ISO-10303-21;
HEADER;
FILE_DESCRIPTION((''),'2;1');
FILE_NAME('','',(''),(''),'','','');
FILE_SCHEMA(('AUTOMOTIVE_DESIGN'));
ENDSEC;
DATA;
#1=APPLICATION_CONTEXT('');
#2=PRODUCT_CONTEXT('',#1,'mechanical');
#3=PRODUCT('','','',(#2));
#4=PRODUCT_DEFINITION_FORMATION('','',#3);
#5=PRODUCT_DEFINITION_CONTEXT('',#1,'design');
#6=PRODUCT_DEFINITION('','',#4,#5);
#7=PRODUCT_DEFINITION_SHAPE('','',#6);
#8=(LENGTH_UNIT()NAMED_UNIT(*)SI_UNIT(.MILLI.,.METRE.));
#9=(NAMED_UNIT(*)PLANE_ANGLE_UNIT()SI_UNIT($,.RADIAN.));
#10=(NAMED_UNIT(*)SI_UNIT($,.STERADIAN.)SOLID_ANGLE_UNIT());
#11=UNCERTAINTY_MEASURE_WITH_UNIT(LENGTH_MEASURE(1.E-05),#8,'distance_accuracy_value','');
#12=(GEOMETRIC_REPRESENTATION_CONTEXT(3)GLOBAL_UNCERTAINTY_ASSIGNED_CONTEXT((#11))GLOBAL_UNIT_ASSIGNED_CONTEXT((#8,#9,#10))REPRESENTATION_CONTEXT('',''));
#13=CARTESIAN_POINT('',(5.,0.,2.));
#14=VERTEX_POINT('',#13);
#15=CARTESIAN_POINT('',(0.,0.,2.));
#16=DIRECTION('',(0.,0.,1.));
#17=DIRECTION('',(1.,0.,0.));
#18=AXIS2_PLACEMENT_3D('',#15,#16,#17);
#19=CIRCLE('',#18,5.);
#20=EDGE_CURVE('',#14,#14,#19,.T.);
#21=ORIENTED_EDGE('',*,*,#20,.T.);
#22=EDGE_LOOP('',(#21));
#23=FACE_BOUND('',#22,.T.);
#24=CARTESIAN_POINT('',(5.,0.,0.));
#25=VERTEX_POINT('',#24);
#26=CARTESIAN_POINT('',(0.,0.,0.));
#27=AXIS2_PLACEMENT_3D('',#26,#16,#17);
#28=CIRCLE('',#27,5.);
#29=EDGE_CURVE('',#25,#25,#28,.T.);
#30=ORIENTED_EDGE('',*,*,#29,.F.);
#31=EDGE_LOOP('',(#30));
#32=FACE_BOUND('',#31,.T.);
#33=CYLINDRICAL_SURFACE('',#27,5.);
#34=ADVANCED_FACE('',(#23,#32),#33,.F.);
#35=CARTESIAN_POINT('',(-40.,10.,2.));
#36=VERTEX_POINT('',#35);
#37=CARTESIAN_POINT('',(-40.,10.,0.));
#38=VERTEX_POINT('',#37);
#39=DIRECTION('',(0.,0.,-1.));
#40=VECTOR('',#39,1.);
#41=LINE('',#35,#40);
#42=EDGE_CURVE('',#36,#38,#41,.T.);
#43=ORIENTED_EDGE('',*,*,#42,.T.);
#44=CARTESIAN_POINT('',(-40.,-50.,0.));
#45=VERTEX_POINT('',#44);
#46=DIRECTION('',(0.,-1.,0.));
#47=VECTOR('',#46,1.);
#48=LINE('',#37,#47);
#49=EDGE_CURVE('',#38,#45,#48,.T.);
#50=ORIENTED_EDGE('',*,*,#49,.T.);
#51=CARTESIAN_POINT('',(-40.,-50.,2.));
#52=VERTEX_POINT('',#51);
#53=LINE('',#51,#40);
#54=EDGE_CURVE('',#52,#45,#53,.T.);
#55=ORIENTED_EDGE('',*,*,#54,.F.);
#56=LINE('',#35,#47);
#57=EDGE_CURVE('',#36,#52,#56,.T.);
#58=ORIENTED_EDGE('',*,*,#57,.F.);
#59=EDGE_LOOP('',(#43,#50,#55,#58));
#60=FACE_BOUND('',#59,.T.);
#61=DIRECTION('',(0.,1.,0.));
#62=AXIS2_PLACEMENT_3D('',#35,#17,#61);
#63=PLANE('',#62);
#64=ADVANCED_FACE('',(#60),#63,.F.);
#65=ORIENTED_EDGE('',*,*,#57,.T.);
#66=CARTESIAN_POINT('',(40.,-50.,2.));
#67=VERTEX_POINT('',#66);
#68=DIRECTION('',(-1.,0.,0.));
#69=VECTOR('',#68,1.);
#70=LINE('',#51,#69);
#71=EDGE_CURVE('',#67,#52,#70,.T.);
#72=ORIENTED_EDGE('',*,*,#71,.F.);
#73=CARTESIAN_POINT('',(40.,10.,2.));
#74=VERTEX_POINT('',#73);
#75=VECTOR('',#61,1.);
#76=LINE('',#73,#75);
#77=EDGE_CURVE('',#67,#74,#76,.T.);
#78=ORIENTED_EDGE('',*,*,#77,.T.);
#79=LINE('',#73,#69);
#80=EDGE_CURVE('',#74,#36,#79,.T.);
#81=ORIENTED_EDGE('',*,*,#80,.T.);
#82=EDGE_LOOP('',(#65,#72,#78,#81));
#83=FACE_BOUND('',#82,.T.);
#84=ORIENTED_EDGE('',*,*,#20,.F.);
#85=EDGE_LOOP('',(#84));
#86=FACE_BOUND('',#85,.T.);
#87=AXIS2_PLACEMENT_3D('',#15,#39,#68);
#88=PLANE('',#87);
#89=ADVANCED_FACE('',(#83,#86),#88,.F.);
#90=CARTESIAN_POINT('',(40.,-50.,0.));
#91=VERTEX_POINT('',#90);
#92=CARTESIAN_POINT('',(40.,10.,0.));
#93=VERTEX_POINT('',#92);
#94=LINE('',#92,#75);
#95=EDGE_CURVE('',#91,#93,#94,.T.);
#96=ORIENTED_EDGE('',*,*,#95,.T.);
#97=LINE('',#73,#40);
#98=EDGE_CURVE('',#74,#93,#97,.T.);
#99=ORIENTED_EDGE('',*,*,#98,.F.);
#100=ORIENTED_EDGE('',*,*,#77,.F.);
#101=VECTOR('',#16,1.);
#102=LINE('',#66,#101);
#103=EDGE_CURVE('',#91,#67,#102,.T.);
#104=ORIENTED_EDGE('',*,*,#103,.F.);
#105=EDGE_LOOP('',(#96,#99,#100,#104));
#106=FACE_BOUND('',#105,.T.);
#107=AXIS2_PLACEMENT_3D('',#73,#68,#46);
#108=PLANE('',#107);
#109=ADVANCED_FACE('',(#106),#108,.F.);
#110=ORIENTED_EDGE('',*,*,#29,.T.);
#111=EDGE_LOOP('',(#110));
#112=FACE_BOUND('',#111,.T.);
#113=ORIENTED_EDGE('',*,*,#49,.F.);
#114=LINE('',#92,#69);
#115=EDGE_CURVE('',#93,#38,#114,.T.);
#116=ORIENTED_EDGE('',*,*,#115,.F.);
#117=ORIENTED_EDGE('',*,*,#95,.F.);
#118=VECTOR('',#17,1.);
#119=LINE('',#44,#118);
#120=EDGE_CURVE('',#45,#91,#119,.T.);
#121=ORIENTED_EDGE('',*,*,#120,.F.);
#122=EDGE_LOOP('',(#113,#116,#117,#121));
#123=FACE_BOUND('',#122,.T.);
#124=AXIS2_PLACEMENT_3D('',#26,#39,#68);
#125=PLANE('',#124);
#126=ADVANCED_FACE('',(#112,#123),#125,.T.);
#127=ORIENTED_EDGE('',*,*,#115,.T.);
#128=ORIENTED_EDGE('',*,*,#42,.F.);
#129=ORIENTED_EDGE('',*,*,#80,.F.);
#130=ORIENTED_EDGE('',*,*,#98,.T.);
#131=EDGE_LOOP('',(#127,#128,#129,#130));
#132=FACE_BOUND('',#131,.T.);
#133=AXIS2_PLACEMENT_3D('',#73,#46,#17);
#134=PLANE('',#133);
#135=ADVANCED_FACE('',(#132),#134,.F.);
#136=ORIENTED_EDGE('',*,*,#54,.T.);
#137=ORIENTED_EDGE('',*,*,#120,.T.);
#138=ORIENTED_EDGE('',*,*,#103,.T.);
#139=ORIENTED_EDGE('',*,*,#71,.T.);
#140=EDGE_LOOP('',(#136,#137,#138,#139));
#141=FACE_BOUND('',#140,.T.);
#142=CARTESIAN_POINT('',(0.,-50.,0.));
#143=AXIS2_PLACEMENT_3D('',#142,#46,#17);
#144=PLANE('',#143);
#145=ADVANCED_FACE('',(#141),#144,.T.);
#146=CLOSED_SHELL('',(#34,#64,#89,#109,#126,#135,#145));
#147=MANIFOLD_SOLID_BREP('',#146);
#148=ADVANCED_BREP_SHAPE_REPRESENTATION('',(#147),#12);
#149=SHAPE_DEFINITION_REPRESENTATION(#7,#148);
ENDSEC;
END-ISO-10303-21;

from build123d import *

# Parameters (mm, degrees)
SKETCH_1_W          = 80
SKETCH_1_H          = 20
EXTRUDE_1_DEPTH     = 2
SKETCH_2_R          = 5
CUT_EXTRUDE_1_DEPTH = 42.279534881
SKETCH_3_W          = 80
SKETCH_3_H          = 2
EXTRUDE_2_DEPTH     = 40


with BuildPart() as part:
    # Эскиз1 → Бобышка-Вытянуть1 (new body)
    with BuildSketch(Plane.XY):
        Rectangle(SKETCH_1_W, SKETCH_1_H)
    extrude(amount=EXTRUDE_1_DEPTH)

    # Эскиз2 → Вырез-Вытянуть1 (cut, through all)
    with BuildSketch(Plane.XY.offset(2)):
        Circle(SKETCH_2_R)
    extrude(amount=-CUT_EXTRUDE_1_DEPTH, mode=Mode.SUBTRACT)

    # Эскиз3 → Бобышка-Вытянуть2 (add)
    with BuildSketch(Plane.XZ.offset(10)):
        with Locations((0, 1)):
            Rectangle(SKETCH_3_W, SKETCH_3_H)
    extrude(amount=EXTRUDE_2_DEPTH)


solid = part.part
